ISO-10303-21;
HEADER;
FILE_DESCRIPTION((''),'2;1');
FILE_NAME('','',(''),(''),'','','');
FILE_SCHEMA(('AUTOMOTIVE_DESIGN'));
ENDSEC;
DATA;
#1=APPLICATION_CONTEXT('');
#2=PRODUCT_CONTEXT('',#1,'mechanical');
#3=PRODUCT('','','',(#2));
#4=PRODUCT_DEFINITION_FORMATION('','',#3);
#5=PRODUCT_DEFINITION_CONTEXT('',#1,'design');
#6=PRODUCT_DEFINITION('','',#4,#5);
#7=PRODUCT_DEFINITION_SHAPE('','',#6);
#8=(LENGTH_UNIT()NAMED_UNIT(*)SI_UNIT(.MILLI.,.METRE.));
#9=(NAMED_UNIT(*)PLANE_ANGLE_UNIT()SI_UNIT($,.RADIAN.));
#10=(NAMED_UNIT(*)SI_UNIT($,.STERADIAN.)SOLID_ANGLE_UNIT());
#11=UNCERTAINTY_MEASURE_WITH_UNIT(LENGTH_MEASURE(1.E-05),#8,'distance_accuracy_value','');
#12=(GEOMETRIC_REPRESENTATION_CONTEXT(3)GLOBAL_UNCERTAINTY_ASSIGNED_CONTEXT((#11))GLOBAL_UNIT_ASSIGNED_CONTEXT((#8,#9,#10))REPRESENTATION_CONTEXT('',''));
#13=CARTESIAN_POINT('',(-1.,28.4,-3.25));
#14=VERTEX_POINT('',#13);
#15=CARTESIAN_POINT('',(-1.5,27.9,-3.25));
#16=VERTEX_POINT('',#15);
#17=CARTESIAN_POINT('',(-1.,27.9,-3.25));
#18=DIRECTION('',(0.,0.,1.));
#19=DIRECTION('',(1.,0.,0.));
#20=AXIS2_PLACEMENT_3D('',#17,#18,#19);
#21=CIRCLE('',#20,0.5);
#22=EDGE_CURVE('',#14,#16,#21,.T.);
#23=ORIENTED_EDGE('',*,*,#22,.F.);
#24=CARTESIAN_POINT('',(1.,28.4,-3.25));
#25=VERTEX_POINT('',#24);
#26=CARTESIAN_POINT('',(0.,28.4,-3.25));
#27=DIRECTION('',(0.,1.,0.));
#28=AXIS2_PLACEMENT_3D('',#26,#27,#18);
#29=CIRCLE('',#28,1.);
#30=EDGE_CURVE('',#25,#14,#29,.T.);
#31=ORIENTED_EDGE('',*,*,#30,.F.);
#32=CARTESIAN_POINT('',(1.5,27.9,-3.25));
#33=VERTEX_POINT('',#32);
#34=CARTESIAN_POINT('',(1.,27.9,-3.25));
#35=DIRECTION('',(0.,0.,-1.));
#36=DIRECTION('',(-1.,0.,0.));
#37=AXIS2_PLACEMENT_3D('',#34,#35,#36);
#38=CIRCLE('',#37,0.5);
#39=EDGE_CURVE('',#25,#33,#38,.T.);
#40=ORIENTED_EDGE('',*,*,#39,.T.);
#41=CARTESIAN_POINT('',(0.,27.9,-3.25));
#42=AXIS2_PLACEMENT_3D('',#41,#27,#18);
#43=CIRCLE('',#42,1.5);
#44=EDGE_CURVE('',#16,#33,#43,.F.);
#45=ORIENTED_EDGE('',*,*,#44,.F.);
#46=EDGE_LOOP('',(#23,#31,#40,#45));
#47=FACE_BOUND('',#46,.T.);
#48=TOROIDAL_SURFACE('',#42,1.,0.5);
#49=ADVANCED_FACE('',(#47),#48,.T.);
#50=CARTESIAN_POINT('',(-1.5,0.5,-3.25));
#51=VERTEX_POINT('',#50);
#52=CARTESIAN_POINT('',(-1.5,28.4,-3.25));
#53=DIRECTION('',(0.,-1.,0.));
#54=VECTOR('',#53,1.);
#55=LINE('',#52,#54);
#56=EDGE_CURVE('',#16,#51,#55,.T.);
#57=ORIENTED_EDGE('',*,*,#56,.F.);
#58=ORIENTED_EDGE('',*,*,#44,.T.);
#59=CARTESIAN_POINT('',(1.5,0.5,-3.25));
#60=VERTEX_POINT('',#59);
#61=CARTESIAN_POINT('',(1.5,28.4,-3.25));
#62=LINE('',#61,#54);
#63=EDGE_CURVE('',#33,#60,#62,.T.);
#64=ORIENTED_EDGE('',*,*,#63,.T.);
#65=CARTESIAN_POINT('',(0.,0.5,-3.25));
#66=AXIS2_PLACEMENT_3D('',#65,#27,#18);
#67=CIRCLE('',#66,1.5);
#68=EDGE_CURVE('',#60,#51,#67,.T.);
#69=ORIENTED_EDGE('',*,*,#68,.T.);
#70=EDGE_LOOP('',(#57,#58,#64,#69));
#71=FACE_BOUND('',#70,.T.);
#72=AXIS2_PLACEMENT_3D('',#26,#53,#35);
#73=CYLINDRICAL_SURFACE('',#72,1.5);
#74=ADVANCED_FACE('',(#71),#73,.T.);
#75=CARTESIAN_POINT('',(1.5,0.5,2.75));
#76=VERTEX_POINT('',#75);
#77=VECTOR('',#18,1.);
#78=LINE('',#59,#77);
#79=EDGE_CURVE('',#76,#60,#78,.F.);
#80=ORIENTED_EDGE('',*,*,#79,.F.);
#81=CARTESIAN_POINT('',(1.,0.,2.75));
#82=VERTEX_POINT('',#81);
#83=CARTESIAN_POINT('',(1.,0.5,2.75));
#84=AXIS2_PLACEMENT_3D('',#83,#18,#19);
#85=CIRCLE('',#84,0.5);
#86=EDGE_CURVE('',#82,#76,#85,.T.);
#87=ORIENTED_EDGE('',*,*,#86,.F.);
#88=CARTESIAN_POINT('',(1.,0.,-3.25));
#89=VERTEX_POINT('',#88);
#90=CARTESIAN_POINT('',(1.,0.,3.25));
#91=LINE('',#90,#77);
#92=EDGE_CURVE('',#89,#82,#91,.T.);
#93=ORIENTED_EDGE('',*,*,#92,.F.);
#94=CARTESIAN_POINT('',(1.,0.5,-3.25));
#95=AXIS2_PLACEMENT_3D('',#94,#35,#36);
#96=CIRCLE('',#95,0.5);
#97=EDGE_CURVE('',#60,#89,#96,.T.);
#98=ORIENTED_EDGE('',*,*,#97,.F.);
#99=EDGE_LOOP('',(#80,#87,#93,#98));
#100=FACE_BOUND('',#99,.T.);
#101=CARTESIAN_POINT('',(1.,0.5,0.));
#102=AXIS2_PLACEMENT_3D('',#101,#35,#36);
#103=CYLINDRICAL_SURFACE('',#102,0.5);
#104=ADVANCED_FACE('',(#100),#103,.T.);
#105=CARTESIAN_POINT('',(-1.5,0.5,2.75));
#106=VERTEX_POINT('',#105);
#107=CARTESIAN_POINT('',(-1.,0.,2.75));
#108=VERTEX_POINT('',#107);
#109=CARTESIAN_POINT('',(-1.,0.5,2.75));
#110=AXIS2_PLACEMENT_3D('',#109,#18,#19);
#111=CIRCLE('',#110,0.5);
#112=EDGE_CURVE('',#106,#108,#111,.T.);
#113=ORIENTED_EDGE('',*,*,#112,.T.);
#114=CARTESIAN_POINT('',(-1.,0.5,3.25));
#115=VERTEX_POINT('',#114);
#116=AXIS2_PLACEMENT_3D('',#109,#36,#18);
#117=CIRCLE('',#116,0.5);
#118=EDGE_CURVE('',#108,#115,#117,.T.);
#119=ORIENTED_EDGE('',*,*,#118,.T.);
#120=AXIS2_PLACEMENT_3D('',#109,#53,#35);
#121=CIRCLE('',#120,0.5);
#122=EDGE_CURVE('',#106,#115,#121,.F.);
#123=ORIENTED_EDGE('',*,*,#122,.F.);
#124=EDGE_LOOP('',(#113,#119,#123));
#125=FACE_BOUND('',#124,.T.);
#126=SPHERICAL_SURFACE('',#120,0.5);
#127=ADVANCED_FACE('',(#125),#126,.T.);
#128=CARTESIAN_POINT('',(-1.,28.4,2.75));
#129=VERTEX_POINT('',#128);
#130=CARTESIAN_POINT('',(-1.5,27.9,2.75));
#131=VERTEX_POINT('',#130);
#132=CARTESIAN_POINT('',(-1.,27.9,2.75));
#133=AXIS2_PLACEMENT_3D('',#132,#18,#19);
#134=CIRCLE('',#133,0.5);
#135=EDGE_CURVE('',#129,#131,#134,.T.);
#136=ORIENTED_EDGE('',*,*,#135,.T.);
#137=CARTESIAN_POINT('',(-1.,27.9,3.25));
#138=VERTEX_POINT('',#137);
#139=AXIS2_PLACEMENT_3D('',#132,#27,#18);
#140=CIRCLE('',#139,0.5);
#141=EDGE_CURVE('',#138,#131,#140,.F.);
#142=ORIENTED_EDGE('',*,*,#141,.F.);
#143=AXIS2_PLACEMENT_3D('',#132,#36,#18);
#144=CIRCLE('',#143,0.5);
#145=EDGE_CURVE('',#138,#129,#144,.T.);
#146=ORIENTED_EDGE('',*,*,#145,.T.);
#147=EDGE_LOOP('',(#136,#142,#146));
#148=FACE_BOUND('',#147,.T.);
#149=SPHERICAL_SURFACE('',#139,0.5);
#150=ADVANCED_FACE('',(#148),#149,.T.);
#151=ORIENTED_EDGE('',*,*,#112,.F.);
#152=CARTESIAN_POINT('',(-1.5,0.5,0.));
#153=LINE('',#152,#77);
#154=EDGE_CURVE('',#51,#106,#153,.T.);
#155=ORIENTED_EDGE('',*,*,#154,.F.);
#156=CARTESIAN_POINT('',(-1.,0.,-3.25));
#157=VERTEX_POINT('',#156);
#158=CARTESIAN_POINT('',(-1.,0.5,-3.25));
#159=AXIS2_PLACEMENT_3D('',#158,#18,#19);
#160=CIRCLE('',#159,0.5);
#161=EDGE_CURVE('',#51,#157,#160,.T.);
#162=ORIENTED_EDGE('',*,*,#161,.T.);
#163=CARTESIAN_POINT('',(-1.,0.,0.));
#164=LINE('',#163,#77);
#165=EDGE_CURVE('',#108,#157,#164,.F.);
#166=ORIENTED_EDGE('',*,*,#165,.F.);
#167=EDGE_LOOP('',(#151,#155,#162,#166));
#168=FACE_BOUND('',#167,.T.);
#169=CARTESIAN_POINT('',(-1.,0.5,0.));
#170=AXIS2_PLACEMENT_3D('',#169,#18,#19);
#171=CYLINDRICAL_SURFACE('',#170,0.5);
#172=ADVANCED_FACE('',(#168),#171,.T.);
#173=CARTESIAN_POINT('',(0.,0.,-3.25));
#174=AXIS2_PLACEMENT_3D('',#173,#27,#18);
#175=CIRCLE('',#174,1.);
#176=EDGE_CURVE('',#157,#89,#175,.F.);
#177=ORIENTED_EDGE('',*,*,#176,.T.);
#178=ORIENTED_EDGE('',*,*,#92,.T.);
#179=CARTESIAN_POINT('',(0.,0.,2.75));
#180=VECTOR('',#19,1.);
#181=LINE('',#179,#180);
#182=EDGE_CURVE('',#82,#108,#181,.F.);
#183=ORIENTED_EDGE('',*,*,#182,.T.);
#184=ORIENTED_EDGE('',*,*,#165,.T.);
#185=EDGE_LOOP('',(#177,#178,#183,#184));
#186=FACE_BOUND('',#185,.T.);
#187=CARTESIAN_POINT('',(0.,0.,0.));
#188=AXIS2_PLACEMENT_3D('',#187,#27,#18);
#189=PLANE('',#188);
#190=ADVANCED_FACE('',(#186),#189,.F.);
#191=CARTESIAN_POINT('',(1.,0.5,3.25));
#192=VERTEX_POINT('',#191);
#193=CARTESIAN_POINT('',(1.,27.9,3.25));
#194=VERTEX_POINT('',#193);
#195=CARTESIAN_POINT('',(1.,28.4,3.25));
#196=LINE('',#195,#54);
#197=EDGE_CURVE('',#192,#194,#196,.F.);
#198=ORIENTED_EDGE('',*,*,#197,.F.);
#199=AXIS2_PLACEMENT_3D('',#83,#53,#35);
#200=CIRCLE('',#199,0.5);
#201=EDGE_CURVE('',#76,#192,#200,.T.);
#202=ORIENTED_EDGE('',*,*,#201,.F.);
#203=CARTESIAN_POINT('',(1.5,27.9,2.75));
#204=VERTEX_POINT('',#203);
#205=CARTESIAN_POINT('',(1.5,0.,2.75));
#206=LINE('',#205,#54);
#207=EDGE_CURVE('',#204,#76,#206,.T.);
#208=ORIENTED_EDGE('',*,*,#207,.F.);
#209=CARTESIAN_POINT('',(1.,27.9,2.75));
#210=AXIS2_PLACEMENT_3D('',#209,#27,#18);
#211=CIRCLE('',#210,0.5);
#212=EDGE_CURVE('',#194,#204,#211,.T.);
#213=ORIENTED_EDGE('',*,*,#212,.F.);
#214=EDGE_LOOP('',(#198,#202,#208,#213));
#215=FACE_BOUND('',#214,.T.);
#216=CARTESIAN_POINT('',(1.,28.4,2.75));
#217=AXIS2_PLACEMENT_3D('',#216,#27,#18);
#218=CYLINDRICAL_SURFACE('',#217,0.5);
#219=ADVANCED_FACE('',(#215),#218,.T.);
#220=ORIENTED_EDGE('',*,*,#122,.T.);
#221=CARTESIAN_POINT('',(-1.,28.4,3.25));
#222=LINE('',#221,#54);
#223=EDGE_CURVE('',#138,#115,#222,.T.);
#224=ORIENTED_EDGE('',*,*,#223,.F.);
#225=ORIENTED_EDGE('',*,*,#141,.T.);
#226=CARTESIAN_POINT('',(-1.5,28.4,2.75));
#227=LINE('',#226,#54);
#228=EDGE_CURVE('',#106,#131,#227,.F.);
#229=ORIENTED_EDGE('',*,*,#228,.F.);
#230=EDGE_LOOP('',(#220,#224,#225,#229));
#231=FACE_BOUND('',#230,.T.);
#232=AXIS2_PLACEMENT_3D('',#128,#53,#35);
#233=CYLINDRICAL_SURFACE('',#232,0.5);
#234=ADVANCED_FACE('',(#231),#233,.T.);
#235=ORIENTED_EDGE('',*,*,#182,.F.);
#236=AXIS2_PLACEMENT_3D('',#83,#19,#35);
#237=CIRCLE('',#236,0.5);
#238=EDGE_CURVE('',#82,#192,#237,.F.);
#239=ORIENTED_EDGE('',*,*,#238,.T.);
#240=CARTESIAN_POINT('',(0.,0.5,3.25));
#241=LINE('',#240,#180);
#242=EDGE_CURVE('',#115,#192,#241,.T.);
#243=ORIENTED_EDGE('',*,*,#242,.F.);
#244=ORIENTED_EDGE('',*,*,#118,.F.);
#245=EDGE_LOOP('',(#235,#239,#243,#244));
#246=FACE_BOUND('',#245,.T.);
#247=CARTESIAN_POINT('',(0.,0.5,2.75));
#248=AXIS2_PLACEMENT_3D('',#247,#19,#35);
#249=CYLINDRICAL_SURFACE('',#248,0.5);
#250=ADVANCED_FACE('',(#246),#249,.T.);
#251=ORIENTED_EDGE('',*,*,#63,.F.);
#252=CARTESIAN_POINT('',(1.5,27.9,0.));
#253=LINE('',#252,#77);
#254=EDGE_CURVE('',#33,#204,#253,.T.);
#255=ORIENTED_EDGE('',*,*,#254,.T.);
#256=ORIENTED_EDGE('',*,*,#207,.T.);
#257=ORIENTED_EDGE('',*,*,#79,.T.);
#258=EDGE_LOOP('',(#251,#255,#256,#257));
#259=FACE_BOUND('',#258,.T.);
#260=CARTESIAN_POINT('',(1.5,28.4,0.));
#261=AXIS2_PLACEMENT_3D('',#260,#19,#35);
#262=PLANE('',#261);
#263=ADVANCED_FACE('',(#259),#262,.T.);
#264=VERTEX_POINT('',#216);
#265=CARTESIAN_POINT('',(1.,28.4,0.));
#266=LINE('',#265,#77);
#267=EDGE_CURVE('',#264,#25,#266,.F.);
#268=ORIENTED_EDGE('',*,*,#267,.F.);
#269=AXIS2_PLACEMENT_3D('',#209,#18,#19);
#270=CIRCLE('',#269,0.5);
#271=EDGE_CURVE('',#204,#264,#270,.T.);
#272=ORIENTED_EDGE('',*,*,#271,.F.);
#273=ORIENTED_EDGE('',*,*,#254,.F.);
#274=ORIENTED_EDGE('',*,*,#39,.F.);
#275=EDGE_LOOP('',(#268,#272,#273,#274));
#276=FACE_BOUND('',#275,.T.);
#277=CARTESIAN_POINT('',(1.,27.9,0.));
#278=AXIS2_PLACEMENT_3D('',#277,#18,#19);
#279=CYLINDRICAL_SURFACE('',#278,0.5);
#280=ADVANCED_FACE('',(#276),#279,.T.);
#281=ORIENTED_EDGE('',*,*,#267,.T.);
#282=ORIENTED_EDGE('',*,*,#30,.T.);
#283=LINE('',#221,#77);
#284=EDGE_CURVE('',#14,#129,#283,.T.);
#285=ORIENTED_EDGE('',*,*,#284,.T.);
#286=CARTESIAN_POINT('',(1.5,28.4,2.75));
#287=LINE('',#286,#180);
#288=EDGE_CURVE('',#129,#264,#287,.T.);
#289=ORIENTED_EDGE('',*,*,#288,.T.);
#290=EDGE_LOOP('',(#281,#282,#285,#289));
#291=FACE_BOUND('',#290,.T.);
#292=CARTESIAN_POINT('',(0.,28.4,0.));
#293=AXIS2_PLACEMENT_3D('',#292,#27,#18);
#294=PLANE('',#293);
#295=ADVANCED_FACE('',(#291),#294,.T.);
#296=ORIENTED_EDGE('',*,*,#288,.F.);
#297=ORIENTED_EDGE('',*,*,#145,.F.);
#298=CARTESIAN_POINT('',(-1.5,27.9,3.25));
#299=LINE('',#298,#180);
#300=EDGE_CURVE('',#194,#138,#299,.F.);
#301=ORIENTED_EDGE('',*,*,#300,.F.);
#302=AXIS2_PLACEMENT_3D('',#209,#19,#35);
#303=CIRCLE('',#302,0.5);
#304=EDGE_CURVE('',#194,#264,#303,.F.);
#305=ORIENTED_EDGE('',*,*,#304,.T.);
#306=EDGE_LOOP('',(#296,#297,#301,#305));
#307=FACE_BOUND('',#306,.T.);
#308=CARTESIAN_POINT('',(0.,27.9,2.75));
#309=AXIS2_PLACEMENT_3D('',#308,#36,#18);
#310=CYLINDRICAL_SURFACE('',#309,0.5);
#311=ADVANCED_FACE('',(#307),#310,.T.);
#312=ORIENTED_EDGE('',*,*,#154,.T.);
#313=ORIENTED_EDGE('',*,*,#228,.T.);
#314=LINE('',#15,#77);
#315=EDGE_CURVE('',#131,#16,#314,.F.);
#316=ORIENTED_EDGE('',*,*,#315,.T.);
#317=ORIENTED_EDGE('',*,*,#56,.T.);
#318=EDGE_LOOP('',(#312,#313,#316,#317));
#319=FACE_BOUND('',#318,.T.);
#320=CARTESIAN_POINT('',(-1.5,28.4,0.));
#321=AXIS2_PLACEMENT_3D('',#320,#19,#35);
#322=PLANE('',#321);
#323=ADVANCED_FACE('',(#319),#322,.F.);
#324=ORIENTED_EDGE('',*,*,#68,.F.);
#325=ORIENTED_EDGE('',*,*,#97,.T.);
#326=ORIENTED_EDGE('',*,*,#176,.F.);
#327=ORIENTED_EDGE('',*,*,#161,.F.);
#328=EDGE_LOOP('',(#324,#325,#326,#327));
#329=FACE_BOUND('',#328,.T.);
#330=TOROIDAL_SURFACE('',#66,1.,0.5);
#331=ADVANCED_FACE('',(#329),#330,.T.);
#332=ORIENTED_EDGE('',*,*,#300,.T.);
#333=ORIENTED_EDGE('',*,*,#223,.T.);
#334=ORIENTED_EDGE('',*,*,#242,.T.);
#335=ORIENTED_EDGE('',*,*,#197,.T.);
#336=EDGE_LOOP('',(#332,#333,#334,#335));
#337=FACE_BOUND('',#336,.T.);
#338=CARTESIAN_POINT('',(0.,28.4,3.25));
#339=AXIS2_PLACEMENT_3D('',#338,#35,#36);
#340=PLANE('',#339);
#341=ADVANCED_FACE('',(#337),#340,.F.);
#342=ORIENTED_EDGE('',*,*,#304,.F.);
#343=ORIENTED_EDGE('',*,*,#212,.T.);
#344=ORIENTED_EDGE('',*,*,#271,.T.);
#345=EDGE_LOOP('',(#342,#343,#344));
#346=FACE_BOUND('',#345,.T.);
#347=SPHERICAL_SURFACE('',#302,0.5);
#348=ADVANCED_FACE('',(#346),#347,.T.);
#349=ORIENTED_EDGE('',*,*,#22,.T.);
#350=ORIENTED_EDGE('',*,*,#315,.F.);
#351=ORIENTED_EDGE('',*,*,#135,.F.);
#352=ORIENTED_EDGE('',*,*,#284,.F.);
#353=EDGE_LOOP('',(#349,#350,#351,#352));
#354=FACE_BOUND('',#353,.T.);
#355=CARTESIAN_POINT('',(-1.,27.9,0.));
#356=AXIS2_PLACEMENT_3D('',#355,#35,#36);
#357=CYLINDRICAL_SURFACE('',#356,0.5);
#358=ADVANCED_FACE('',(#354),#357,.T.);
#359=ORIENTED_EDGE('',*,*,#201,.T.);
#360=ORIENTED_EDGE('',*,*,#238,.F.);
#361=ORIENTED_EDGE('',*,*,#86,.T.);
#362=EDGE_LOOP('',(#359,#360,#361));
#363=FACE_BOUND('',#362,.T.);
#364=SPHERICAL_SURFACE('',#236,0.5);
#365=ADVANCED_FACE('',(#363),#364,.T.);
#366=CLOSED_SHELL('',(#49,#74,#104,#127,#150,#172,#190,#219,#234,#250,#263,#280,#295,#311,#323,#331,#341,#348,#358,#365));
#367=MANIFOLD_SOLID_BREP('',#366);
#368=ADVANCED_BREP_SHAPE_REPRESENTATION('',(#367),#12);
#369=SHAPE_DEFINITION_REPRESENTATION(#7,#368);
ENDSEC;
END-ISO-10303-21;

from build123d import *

# Parameters (mm, degrees)
EXTRUDE_1_DEPTH = 28.4
FILLET_1_R      = 0.5


with BuildPart() as part:
    # 草图1 → 凸台-拉伸1 (new body)
    with BuildSketch(Plane(origin=(0, 0, 0), x_dir=(1, 0, 0), z_dir=(0, 1, 0))):
        with BuildLine():
            ThreePointArc((1.5, 3.25), (0, 4.75), (-1.5, 3.25))
            Line((-1.5, 3.25), (1.5, 3.25))
        make_face()
        with BuildLine():
            Line((1.5, 3.25), (-1.5, 3.25))
            ThreePointArc((-1.5, 3.25), (0, 1.75), (1.5, 3.25))
        make_face()
        with BuildLine():
            ThreePointArc((1.5, 3.25), (0, 1.75), (-1.5, 3.25))
            Line((-1.5, 3.25), (-1.5, -3.25))
            Line((-1.5, -3.25), (1.5, -3.25))
            Line((1.5, -3.25), (1.5, 3.25))
        make_face()
    extrude(amount=EXTRUDE_1_DEPTH)

    # 圆角1
    fillet_1_edges = [part.edges().sort_by_distance(p)[0] for p in [
        (-1.5, 28.4, 0),
        (0, 28.4, 3.25),
        (1.5, 28.4, 0),
        (0, 28.4, -4.75),
        (1.5, 0, 0),
        (0, 0, 3.25),
        (-1.5, 0, 0),
        (0, 0, -4.75),
        (1.5, 14.2, 3.25),
        (-1.5, 14.2, 3.25),
    ]]
    fillet(fillet_1_edges, radius=FILLET_1_R)


solid = part.part
